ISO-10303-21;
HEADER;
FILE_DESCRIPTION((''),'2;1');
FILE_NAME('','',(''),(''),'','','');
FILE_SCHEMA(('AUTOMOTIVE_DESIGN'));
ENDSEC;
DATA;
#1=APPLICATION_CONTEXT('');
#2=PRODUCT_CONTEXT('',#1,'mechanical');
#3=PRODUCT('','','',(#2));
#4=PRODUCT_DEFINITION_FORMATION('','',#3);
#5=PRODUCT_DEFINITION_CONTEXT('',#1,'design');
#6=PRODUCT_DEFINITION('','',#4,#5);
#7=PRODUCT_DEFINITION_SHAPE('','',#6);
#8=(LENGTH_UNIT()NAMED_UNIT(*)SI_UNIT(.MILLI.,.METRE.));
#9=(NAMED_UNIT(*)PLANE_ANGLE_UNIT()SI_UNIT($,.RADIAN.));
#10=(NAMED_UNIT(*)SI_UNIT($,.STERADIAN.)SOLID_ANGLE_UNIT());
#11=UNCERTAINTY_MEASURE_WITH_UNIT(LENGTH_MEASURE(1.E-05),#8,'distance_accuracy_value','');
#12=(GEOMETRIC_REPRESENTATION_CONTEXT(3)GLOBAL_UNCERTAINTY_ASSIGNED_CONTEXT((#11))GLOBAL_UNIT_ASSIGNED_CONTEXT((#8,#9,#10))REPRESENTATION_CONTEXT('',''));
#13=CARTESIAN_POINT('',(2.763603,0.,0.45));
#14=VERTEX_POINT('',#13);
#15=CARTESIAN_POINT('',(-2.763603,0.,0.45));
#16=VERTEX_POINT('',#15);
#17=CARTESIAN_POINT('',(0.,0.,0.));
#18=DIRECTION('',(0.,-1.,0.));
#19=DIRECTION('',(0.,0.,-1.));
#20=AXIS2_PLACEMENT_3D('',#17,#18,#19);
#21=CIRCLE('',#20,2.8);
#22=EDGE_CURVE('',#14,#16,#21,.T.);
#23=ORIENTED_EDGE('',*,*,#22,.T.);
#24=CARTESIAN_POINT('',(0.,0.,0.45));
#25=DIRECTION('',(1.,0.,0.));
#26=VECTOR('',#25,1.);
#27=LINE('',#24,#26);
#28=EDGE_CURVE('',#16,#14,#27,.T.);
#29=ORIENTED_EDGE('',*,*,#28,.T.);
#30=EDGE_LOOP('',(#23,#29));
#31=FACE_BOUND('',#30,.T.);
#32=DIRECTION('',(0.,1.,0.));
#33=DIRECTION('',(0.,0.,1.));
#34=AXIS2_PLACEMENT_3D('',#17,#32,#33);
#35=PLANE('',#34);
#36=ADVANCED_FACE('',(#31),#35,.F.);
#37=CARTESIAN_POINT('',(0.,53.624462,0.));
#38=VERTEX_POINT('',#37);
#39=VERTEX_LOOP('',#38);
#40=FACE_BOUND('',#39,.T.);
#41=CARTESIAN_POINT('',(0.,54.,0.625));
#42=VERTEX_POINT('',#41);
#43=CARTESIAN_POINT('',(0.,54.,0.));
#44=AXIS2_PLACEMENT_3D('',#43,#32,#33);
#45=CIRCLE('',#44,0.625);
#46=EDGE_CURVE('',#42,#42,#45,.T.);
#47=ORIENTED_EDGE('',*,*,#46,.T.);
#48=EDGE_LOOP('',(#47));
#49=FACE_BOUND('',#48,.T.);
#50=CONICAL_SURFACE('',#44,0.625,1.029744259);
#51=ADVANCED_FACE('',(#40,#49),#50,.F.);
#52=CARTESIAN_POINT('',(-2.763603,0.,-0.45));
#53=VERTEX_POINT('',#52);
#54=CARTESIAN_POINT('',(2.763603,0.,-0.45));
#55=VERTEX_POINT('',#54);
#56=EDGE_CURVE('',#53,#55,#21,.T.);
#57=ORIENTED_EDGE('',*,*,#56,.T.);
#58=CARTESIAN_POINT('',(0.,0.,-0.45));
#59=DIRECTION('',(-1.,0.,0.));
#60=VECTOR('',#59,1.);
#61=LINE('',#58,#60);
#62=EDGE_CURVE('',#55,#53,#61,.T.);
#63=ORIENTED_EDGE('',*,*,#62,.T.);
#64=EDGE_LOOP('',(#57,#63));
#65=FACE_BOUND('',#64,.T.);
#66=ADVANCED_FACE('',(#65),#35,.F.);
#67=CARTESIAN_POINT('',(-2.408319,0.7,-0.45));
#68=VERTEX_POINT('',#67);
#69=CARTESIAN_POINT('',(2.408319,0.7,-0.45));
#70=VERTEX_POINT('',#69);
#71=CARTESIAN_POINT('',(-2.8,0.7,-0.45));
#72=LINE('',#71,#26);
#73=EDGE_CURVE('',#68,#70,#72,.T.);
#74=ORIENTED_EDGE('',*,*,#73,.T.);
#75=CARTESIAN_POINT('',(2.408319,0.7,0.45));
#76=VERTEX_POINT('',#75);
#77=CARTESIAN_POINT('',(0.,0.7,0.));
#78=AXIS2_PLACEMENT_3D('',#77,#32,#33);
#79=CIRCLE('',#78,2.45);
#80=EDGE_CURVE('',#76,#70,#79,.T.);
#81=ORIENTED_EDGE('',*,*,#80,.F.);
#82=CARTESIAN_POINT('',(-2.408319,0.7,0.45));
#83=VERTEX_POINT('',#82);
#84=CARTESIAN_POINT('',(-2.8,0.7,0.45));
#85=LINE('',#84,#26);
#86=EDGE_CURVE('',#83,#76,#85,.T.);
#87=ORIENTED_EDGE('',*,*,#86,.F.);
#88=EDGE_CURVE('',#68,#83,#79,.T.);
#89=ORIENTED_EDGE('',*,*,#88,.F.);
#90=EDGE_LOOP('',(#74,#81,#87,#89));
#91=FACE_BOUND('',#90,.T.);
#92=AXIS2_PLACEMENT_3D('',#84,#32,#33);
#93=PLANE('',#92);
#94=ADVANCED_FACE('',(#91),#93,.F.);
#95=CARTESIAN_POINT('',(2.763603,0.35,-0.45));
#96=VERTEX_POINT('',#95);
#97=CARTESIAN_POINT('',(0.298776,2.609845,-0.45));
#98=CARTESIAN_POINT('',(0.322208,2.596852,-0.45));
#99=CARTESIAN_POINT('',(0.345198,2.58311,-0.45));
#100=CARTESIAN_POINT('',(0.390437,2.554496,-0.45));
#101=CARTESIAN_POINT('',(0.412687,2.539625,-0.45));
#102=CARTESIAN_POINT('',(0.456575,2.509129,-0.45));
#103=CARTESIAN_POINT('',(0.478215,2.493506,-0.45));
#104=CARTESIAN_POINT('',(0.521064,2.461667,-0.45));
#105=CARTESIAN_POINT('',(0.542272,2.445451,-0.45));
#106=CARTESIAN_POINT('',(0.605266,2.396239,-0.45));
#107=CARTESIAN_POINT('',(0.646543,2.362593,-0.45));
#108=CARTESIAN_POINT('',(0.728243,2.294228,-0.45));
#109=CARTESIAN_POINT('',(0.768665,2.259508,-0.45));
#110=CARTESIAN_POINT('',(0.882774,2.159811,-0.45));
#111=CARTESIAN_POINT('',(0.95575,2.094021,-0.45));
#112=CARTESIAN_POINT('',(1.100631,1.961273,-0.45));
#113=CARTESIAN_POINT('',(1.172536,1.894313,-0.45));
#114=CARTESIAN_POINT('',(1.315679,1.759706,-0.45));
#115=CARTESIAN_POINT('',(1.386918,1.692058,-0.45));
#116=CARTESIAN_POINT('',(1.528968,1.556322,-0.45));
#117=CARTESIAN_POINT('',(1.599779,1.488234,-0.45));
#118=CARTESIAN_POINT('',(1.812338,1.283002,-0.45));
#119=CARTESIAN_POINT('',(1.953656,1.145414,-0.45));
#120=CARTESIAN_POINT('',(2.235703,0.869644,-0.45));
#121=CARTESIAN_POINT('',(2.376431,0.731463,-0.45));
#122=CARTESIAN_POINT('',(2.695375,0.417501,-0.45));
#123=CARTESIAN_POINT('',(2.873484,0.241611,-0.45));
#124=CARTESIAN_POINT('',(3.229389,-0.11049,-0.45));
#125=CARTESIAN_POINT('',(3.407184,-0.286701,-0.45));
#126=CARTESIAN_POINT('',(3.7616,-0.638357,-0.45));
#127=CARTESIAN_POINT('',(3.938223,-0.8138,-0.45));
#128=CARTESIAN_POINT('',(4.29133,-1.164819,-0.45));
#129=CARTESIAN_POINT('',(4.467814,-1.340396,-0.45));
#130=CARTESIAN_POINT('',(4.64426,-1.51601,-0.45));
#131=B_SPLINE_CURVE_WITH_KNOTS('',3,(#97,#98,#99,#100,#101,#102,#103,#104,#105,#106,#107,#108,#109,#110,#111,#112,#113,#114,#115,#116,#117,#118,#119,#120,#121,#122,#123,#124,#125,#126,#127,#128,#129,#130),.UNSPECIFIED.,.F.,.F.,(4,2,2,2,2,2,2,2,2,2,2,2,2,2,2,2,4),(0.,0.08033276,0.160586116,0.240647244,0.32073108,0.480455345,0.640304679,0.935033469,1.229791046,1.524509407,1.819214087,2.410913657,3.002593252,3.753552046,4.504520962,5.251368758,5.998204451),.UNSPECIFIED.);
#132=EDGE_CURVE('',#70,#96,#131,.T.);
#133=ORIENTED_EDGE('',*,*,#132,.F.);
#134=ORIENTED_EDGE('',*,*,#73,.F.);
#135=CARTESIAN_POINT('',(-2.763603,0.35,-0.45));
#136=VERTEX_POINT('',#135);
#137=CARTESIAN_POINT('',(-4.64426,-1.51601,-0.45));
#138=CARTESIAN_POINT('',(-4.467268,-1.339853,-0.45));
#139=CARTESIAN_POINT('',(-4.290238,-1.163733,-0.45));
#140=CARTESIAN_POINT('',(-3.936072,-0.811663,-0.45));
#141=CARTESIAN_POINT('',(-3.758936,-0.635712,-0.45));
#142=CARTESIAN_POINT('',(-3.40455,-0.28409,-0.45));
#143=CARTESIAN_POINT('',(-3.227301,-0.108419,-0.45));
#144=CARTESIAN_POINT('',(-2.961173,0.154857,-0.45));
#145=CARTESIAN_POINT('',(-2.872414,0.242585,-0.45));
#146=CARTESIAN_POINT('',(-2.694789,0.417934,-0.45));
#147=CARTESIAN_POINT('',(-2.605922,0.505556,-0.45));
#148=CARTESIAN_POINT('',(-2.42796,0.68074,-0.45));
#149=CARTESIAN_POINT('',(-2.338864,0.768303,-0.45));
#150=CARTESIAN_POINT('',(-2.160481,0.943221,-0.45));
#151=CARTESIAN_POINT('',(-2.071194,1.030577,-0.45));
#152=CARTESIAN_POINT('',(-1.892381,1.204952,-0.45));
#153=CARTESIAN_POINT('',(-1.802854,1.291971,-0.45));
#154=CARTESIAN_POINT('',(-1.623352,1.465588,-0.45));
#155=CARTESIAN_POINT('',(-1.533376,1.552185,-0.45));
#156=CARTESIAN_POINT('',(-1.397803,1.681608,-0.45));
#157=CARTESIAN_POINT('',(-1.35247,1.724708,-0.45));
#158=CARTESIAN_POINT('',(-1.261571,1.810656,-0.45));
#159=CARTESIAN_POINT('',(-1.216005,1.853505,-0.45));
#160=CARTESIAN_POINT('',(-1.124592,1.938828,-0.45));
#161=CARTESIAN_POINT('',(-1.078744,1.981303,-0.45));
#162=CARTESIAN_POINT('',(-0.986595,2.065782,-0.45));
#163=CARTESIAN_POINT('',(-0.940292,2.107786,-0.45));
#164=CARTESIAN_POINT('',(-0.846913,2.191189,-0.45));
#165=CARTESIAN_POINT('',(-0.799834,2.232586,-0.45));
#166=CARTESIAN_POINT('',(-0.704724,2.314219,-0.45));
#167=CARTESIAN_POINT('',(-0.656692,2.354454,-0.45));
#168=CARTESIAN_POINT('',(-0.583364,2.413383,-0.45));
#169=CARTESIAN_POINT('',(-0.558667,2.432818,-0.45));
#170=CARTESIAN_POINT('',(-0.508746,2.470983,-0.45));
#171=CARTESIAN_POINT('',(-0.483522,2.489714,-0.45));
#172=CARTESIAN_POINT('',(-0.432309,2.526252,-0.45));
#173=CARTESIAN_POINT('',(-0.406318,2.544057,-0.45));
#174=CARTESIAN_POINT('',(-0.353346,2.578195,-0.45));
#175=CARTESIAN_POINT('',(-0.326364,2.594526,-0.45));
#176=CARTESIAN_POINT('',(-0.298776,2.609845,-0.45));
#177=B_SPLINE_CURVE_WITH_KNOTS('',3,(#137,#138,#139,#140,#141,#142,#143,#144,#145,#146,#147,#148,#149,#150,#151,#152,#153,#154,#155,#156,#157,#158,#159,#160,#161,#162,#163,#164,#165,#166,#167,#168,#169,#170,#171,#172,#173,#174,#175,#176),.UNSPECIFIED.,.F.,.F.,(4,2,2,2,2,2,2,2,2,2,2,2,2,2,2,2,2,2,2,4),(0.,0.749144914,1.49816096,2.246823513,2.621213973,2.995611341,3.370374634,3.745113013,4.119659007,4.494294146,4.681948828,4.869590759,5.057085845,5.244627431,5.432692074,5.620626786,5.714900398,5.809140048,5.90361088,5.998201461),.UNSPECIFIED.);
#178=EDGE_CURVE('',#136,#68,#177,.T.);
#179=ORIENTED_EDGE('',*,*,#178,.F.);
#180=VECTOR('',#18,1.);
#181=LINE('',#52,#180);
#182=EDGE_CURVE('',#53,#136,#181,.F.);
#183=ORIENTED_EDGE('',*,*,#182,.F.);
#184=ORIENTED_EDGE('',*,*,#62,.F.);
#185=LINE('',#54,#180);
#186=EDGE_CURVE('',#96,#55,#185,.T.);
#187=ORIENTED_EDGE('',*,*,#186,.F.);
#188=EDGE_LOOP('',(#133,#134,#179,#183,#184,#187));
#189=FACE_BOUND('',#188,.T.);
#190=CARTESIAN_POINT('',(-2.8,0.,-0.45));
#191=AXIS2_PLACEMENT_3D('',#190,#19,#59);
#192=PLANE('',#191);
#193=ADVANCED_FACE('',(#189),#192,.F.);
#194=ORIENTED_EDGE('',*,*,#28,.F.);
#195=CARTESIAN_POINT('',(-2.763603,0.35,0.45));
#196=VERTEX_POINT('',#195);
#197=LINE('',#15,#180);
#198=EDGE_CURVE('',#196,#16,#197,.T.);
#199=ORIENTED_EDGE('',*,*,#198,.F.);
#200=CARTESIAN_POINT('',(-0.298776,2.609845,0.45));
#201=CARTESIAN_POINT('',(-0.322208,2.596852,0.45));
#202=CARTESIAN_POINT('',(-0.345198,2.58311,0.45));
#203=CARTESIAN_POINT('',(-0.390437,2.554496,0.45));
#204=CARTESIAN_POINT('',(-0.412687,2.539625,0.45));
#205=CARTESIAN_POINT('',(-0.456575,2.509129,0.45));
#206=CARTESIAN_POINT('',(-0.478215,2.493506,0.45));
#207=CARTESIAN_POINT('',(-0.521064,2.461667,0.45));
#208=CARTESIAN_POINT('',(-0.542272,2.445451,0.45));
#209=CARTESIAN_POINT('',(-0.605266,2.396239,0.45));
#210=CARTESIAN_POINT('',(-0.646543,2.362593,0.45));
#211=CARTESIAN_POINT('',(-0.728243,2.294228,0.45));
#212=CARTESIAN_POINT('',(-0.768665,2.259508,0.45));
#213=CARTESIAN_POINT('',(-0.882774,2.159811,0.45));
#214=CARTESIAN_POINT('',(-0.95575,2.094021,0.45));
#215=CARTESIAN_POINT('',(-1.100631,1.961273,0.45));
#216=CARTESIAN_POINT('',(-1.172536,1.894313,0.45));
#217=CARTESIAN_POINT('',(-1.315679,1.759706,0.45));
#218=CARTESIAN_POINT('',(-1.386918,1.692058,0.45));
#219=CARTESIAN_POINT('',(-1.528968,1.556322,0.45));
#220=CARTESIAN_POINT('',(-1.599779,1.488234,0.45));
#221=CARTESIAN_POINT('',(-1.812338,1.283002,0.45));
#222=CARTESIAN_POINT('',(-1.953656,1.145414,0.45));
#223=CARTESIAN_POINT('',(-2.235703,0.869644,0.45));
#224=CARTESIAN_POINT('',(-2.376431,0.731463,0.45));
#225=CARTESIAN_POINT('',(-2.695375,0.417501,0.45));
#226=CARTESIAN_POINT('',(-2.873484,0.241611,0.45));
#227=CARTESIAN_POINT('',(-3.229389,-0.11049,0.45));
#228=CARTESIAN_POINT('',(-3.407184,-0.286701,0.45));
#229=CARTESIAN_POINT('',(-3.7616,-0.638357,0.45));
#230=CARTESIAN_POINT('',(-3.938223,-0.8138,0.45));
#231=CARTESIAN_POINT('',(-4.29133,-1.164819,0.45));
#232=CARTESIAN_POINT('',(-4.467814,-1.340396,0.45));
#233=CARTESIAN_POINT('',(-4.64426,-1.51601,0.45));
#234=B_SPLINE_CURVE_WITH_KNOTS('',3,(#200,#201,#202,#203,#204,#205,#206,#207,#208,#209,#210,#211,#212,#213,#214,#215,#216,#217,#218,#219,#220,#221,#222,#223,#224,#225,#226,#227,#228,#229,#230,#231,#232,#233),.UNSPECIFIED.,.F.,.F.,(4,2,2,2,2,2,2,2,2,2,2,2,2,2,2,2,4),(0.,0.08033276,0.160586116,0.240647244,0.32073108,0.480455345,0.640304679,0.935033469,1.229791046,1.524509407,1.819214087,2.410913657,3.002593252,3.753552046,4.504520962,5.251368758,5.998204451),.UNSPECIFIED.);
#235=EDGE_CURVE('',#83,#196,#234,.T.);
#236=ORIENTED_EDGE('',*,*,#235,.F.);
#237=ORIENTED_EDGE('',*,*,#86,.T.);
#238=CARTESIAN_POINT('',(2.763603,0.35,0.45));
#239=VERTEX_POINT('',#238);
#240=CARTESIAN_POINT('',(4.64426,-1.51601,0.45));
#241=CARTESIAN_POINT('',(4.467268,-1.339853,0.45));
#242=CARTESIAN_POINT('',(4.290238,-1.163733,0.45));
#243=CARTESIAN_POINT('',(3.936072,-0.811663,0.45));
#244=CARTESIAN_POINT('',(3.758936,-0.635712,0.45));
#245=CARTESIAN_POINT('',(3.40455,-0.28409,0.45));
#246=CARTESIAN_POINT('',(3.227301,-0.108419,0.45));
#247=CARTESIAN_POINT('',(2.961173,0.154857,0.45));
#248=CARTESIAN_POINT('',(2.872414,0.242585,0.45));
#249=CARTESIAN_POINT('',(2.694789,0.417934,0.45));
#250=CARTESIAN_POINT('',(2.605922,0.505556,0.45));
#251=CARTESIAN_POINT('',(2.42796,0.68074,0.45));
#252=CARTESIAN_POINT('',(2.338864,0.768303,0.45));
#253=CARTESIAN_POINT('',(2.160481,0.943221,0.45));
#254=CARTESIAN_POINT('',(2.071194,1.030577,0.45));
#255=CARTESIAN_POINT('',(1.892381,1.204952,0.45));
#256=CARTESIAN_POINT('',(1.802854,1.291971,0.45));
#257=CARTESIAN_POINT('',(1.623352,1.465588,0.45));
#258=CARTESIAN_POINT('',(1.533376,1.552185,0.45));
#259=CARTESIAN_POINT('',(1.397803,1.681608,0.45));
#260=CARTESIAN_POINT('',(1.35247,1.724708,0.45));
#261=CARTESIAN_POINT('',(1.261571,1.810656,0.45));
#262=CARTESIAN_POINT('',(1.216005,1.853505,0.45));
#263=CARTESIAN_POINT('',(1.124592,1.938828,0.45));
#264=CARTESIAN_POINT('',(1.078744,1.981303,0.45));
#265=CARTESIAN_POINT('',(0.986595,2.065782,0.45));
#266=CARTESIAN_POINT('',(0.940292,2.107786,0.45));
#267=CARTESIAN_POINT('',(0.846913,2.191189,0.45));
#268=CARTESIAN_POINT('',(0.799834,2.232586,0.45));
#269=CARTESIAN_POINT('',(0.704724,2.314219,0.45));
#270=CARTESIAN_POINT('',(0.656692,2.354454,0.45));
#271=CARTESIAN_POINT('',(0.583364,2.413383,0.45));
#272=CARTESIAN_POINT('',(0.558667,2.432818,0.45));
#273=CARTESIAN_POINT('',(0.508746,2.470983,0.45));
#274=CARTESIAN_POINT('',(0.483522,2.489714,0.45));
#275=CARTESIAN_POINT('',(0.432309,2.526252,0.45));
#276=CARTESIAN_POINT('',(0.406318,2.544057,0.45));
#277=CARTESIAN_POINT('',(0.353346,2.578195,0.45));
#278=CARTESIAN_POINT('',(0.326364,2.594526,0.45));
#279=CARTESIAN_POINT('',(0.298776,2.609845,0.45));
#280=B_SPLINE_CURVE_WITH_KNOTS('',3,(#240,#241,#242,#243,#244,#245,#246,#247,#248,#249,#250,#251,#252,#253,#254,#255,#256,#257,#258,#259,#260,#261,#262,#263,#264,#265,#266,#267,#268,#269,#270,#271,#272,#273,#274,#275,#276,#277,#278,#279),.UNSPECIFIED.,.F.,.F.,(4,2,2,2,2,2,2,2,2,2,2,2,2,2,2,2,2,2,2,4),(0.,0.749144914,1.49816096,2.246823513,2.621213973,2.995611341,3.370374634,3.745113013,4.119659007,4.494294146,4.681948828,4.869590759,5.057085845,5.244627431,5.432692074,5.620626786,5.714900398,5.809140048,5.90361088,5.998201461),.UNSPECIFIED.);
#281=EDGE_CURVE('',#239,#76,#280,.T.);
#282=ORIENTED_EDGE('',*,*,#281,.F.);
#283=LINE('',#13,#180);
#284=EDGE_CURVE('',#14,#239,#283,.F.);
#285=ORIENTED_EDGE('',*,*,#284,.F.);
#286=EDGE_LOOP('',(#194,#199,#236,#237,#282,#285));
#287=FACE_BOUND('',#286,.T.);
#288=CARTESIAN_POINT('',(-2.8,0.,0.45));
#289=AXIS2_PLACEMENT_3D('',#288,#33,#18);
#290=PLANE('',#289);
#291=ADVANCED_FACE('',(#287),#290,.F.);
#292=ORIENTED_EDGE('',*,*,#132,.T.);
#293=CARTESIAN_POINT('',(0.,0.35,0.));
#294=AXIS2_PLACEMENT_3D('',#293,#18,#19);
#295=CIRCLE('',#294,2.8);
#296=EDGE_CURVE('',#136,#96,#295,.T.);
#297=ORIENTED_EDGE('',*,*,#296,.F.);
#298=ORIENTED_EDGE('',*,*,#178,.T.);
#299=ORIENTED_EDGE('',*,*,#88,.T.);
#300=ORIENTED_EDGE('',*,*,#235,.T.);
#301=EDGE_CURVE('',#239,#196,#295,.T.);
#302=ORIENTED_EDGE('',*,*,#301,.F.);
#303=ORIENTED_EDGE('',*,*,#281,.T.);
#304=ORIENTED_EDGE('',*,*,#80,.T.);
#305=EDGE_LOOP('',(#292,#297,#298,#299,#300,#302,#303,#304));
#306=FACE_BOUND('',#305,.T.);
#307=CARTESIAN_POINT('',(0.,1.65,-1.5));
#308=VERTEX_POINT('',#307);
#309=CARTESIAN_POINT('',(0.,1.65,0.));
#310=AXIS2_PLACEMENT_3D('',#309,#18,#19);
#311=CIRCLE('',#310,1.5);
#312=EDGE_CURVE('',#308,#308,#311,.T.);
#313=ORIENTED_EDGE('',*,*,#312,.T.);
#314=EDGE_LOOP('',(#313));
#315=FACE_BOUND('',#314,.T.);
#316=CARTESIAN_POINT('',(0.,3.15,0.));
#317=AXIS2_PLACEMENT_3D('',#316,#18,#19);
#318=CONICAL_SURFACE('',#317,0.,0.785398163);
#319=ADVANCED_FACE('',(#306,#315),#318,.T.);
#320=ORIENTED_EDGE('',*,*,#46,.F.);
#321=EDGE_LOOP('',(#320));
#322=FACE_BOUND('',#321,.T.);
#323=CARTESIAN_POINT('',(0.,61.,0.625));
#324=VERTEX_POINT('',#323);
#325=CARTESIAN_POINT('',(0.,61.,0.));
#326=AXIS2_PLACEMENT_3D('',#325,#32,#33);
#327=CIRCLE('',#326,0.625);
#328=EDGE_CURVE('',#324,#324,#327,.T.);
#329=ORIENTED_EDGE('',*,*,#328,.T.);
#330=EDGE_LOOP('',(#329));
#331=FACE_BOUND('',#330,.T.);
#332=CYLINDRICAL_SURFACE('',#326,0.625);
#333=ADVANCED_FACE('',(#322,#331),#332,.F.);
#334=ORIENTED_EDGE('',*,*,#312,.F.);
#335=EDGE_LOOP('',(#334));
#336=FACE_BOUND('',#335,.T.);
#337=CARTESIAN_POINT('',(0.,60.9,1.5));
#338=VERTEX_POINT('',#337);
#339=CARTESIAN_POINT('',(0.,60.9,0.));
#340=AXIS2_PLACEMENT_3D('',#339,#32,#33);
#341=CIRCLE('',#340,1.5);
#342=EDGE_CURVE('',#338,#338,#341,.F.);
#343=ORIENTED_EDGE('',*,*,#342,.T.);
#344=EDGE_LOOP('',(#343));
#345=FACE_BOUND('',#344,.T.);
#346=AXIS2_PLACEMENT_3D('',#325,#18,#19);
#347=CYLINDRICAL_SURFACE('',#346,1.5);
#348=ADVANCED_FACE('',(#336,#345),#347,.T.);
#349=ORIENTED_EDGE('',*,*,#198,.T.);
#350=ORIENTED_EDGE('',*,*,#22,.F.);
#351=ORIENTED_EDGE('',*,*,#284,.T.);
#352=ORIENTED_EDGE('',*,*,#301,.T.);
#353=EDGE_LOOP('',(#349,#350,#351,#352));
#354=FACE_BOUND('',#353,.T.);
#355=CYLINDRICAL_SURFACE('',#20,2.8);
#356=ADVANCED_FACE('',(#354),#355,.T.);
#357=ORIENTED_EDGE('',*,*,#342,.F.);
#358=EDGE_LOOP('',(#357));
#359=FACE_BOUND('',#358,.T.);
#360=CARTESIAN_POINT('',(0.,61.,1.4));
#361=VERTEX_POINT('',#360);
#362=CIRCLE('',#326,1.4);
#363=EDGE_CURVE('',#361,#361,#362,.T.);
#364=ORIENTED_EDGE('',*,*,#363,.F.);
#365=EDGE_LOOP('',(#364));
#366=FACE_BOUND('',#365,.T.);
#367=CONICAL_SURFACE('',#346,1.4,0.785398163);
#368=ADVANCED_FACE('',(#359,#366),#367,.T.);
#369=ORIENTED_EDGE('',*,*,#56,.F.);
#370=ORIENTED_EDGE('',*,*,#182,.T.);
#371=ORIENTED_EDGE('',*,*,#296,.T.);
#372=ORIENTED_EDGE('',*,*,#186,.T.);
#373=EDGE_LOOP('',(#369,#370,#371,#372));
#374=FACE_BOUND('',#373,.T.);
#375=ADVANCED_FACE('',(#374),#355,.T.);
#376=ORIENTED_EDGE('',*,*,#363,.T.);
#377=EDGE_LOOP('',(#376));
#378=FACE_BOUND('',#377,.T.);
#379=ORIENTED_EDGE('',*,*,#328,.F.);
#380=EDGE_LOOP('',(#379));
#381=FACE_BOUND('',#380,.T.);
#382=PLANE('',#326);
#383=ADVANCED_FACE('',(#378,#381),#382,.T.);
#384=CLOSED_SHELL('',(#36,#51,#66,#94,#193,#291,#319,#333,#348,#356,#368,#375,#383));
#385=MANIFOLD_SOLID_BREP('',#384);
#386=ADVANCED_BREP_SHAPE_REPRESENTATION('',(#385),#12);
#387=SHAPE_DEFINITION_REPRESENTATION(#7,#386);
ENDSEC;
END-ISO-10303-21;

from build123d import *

# Parameters (mm, degrees)
SKETCH_1_R               = 1.5
EXTRUDE_1_DEPTH          = 61
SKETCH_3_W               = 0.9
SKETCH_3_H               = 0.7
CUT_EXTRUDE_1_DEPTH      = 3.8
CUT_EXTRUDE_1_DEPTH_BACK = 3.8
CHAMFER_1_SIZE           = 0.1
HOLE_WIZARD_M1_61_D      = 1.25
HOLE_WIZARD_M1_61_DEPTH  = 7
HOLE_WIZARD_M1_61_TIP    = 0.375537887


with BuildPart() as part:
    # Эскиз1 → Бобышка-Вытянуть1 (new body)
    with BuildSketch(Plane(origin=(0, 0, 0), x_dir=(1, 0, 0), z_dir=(0, 1, 0))):
        Circle(SKETCH_1_R)
    extrude(amount=EXTRUDE_1_DEPTH)

    # Эскиз2 → Повернуть1 (revolve)
    with BuildSketch(Plane(origin=(0, 0, 0), x_dir=(0, 0, -1), z_dir=(1, 0, 0))):
        Polygon((0, 3.15), (-2.8, 0.35), (-2.8, 0), (0, 0), align=None)
    revolve(axis=Axis((0, 0, 0), (0, 1, 0)))

    # Эскиз3 → Вырез-Вытянуть1 (cut, two sides)
    with BuildSketch(Plane(origin=(0, 0, 0), x_dir=(0, 0, -1), z_dir=(1, 0, 0))) as cut_extrude_1_sk:
        with Locations((0, 0.35)):
            Rectangle(SKETCH_3_W, SKETCH_3_H)
    extrude(amount=CUT_EXTRUDE_1_DEPTH, mode=Mode.SUBTRACT)
    extrude(cut_extrude_1_sk.sketch, amount=-CUT_EXTRUDE_1_DEPTH_BACK, mode=Mode.SUBTRACT)

    # Фаска1
    chamfer_1_edges = [part.edges().sort_by_distance(p)[0] for p in [
        (-1.5, 61, 0),
    ]]
    chamfer(chamfer_1_edges, length=CHAMFER_1_SIZE)

    # Отверстие обработанное метчиком M1,61
    with Locations(Plane(origin=(0, 61, 0), x_dir=(1, 0, 0), z_dir=(0, 1, 0))):
        with Locations((0, 0)):
            Hole(HOLE_WIZARD_M1_61_D / 2, depth=HOLE_WIZARD_M1_61_DEPTH)
            with Locations((0, 0, -(HOLE_WIZARD_M1_61_DEPTH + HOLE_WIZARD_M1_61_TIP / 2))):  # 118° drill point
                Cone(0, HOLE_WIZARD_M1_61_D / 2, HOLE_WIZARD_M1_61_TIP, mode=Mode.SUBTRACT)


solid = part.part
